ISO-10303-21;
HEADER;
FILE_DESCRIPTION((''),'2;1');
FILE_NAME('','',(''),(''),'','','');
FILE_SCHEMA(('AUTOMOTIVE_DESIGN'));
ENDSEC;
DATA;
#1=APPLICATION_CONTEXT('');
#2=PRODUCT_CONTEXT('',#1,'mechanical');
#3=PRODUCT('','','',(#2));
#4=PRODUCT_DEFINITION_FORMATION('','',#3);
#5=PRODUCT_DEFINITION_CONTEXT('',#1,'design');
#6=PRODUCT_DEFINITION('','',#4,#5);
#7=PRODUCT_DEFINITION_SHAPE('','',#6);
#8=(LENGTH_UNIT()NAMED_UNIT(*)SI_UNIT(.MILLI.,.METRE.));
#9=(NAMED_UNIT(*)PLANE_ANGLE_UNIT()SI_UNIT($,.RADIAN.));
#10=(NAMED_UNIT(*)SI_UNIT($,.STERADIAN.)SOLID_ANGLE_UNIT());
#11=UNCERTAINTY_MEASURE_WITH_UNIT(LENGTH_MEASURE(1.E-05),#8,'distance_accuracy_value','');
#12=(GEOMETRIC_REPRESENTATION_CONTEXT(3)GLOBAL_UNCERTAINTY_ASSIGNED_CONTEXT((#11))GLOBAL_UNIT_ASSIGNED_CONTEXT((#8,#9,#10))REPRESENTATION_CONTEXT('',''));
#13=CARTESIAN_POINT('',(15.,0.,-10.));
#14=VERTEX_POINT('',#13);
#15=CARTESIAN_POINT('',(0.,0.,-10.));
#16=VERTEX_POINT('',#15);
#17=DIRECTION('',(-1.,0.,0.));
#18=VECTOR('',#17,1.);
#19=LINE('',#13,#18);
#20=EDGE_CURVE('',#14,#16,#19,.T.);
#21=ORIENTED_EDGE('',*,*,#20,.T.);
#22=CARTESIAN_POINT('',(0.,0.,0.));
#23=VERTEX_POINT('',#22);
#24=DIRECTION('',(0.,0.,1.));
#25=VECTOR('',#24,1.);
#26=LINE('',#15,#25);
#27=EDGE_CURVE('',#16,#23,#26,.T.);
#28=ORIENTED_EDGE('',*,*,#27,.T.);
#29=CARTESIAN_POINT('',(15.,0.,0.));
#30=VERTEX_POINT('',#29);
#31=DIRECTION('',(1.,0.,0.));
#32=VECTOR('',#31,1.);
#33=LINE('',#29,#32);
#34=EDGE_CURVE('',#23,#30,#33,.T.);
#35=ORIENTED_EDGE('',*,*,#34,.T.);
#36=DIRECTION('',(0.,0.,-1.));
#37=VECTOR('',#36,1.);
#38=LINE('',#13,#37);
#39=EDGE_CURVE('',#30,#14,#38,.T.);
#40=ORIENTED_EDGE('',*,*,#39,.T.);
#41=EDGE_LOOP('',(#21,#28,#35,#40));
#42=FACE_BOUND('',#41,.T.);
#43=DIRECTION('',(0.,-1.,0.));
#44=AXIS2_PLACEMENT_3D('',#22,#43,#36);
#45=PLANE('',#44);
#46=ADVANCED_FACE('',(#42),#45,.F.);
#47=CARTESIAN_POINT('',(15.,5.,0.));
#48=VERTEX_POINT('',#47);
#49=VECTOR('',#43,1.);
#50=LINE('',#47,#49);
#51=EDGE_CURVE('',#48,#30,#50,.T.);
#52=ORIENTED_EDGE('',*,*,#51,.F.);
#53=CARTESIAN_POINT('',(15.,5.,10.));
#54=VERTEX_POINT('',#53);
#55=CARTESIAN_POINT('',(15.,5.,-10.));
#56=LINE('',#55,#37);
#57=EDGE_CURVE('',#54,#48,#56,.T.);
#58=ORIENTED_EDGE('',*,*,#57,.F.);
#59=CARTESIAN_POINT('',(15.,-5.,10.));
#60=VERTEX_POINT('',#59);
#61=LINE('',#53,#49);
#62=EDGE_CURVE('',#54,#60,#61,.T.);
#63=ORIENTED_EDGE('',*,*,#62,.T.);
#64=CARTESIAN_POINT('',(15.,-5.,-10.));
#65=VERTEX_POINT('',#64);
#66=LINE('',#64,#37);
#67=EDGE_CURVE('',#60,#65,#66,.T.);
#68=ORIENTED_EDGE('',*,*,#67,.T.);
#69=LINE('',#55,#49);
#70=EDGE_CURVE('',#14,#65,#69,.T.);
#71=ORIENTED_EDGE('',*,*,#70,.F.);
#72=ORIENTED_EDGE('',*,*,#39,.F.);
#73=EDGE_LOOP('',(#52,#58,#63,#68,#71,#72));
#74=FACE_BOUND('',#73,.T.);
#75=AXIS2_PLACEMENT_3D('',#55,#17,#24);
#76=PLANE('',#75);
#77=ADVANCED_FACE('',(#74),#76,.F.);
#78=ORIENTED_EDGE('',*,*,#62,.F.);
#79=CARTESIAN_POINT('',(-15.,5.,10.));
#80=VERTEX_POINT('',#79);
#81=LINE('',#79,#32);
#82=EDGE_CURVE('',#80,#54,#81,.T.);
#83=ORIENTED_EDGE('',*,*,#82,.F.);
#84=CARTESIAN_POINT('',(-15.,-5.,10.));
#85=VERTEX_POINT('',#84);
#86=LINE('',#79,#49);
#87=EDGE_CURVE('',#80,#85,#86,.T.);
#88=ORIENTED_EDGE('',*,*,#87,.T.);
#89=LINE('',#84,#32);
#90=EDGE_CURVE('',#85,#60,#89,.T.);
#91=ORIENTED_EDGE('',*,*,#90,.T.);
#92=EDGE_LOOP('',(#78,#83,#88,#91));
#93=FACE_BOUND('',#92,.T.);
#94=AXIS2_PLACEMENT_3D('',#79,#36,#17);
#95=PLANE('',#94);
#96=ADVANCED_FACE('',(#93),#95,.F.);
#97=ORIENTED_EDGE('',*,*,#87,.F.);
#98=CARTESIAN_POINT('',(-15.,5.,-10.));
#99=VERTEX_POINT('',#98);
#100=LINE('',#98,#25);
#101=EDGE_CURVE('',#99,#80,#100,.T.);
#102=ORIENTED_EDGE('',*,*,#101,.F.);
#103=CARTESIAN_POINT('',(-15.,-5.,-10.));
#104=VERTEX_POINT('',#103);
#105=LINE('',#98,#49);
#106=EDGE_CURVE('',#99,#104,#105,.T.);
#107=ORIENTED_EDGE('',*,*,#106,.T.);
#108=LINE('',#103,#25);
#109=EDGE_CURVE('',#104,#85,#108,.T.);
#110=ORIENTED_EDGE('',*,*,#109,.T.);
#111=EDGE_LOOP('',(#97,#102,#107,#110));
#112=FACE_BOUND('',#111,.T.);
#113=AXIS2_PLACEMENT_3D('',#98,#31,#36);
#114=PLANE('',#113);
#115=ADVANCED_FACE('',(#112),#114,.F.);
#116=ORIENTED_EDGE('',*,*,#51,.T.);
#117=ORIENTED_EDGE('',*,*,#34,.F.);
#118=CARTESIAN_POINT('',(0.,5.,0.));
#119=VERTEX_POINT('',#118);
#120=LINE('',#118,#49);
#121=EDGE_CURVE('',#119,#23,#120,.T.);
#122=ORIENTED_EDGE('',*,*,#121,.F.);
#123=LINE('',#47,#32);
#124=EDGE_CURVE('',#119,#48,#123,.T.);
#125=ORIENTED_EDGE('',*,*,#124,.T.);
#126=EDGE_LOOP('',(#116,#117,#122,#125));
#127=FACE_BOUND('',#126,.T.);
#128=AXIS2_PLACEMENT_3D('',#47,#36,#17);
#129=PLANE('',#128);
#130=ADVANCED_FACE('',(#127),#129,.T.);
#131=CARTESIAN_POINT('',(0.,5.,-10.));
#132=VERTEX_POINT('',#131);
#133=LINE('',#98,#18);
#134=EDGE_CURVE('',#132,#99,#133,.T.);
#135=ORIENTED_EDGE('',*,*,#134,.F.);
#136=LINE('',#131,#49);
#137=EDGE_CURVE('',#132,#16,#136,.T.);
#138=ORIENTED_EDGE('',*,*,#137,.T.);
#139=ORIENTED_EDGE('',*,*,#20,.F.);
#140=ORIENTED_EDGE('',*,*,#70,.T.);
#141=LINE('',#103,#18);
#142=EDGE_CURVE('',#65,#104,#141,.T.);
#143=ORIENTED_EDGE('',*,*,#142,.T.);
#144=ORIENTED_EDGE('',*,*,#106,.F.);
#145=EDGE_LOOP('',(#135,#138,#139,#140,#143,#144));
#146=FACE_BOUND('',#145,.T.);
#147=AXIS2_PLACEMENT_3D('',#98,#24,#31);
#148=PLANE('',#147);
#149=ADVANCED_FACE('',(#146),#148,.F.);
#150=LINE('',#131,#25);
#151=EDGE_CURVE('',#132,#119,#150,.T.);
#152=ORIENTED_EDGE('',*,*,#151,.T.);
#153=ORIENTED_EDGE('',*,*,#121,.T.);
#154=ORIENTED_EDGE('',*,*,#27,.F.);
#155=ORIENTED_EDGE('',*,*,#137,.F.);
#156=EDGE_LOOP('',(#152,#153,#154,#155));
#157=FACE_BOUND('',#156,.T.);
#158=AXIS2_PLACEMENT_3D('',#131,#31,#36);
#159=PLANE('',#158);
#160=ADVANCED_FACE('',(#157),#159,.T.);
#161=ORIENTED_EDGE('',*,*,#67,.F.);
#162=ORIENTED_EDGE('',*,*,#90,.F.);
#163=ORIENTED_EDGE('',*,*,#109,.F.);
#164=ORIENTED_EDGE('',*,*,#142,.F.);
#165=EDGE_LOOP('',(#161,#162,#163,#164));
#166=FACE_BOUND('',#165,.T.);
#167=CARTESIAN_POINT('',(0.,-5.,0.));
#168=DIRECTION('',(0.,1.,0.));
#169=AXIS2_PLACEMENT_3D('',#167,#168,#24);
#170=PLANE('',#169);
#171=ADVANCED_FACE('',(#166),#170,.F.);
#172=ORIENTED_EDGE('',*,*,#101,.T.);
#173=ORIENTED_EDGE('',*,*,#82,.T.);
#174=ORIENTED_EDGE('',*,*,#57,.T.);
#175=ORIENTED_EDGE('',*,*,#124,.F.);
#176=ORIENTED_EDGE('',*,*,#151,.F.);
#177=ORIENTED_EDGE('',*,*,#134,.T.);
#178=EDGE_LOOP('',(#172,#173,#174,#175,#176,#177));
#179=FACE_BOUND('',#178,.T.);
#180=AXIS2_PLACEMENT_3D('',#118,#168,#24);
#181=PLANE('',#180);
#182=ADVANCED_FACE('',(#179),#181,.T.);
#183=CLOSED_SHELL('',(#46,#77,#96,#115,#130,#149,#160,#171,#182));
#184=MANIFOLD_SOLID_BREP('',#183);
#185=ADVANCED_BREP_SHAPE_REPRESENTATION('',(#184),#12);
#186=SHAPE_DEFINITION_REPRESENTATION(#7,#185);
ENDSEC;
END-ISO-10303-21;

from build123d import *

# Parameters (mm, degrees)
SKETCH_1_W          = 30
SKETCH_1_H          = 20
EXTRUDE_1_DEPTH     = 5
SKETCH_2_W          = 15
SKETCH_2_H          = 10
CUT_EXTRUDE_1_DEPTH = 19.708286934


with BuildPart() as part:
    # 草图1 → 凸台-拉伸1 (new, symmetric)
    with BuildSketch(Plane(origin=(0, 0, 0), x_dir=(1, 0, 0), z_dir=(0, 1, 0))):
        Rectangle(SKETCH_1_W, SKETCH_1_H)
    extrude(amount=EXTRUDE_1_DEPTH, both=True)

    # 草图2 → 切除-拉伸1 (cut, through all)
    with BuildSketch(Plane(origin=(0, 0, 0), x_dir=(1, 0, 0), z_dir=(0, 1, 0))):
        with Locations((7.5, 5)):
            Rectangle(SKETCH_2_W, SKETCH_2_H)
    extrude(amount=CUT_EXTRUDE_1_DEPTH, mode=Mode.SUBTRACT)


solid = part.part
